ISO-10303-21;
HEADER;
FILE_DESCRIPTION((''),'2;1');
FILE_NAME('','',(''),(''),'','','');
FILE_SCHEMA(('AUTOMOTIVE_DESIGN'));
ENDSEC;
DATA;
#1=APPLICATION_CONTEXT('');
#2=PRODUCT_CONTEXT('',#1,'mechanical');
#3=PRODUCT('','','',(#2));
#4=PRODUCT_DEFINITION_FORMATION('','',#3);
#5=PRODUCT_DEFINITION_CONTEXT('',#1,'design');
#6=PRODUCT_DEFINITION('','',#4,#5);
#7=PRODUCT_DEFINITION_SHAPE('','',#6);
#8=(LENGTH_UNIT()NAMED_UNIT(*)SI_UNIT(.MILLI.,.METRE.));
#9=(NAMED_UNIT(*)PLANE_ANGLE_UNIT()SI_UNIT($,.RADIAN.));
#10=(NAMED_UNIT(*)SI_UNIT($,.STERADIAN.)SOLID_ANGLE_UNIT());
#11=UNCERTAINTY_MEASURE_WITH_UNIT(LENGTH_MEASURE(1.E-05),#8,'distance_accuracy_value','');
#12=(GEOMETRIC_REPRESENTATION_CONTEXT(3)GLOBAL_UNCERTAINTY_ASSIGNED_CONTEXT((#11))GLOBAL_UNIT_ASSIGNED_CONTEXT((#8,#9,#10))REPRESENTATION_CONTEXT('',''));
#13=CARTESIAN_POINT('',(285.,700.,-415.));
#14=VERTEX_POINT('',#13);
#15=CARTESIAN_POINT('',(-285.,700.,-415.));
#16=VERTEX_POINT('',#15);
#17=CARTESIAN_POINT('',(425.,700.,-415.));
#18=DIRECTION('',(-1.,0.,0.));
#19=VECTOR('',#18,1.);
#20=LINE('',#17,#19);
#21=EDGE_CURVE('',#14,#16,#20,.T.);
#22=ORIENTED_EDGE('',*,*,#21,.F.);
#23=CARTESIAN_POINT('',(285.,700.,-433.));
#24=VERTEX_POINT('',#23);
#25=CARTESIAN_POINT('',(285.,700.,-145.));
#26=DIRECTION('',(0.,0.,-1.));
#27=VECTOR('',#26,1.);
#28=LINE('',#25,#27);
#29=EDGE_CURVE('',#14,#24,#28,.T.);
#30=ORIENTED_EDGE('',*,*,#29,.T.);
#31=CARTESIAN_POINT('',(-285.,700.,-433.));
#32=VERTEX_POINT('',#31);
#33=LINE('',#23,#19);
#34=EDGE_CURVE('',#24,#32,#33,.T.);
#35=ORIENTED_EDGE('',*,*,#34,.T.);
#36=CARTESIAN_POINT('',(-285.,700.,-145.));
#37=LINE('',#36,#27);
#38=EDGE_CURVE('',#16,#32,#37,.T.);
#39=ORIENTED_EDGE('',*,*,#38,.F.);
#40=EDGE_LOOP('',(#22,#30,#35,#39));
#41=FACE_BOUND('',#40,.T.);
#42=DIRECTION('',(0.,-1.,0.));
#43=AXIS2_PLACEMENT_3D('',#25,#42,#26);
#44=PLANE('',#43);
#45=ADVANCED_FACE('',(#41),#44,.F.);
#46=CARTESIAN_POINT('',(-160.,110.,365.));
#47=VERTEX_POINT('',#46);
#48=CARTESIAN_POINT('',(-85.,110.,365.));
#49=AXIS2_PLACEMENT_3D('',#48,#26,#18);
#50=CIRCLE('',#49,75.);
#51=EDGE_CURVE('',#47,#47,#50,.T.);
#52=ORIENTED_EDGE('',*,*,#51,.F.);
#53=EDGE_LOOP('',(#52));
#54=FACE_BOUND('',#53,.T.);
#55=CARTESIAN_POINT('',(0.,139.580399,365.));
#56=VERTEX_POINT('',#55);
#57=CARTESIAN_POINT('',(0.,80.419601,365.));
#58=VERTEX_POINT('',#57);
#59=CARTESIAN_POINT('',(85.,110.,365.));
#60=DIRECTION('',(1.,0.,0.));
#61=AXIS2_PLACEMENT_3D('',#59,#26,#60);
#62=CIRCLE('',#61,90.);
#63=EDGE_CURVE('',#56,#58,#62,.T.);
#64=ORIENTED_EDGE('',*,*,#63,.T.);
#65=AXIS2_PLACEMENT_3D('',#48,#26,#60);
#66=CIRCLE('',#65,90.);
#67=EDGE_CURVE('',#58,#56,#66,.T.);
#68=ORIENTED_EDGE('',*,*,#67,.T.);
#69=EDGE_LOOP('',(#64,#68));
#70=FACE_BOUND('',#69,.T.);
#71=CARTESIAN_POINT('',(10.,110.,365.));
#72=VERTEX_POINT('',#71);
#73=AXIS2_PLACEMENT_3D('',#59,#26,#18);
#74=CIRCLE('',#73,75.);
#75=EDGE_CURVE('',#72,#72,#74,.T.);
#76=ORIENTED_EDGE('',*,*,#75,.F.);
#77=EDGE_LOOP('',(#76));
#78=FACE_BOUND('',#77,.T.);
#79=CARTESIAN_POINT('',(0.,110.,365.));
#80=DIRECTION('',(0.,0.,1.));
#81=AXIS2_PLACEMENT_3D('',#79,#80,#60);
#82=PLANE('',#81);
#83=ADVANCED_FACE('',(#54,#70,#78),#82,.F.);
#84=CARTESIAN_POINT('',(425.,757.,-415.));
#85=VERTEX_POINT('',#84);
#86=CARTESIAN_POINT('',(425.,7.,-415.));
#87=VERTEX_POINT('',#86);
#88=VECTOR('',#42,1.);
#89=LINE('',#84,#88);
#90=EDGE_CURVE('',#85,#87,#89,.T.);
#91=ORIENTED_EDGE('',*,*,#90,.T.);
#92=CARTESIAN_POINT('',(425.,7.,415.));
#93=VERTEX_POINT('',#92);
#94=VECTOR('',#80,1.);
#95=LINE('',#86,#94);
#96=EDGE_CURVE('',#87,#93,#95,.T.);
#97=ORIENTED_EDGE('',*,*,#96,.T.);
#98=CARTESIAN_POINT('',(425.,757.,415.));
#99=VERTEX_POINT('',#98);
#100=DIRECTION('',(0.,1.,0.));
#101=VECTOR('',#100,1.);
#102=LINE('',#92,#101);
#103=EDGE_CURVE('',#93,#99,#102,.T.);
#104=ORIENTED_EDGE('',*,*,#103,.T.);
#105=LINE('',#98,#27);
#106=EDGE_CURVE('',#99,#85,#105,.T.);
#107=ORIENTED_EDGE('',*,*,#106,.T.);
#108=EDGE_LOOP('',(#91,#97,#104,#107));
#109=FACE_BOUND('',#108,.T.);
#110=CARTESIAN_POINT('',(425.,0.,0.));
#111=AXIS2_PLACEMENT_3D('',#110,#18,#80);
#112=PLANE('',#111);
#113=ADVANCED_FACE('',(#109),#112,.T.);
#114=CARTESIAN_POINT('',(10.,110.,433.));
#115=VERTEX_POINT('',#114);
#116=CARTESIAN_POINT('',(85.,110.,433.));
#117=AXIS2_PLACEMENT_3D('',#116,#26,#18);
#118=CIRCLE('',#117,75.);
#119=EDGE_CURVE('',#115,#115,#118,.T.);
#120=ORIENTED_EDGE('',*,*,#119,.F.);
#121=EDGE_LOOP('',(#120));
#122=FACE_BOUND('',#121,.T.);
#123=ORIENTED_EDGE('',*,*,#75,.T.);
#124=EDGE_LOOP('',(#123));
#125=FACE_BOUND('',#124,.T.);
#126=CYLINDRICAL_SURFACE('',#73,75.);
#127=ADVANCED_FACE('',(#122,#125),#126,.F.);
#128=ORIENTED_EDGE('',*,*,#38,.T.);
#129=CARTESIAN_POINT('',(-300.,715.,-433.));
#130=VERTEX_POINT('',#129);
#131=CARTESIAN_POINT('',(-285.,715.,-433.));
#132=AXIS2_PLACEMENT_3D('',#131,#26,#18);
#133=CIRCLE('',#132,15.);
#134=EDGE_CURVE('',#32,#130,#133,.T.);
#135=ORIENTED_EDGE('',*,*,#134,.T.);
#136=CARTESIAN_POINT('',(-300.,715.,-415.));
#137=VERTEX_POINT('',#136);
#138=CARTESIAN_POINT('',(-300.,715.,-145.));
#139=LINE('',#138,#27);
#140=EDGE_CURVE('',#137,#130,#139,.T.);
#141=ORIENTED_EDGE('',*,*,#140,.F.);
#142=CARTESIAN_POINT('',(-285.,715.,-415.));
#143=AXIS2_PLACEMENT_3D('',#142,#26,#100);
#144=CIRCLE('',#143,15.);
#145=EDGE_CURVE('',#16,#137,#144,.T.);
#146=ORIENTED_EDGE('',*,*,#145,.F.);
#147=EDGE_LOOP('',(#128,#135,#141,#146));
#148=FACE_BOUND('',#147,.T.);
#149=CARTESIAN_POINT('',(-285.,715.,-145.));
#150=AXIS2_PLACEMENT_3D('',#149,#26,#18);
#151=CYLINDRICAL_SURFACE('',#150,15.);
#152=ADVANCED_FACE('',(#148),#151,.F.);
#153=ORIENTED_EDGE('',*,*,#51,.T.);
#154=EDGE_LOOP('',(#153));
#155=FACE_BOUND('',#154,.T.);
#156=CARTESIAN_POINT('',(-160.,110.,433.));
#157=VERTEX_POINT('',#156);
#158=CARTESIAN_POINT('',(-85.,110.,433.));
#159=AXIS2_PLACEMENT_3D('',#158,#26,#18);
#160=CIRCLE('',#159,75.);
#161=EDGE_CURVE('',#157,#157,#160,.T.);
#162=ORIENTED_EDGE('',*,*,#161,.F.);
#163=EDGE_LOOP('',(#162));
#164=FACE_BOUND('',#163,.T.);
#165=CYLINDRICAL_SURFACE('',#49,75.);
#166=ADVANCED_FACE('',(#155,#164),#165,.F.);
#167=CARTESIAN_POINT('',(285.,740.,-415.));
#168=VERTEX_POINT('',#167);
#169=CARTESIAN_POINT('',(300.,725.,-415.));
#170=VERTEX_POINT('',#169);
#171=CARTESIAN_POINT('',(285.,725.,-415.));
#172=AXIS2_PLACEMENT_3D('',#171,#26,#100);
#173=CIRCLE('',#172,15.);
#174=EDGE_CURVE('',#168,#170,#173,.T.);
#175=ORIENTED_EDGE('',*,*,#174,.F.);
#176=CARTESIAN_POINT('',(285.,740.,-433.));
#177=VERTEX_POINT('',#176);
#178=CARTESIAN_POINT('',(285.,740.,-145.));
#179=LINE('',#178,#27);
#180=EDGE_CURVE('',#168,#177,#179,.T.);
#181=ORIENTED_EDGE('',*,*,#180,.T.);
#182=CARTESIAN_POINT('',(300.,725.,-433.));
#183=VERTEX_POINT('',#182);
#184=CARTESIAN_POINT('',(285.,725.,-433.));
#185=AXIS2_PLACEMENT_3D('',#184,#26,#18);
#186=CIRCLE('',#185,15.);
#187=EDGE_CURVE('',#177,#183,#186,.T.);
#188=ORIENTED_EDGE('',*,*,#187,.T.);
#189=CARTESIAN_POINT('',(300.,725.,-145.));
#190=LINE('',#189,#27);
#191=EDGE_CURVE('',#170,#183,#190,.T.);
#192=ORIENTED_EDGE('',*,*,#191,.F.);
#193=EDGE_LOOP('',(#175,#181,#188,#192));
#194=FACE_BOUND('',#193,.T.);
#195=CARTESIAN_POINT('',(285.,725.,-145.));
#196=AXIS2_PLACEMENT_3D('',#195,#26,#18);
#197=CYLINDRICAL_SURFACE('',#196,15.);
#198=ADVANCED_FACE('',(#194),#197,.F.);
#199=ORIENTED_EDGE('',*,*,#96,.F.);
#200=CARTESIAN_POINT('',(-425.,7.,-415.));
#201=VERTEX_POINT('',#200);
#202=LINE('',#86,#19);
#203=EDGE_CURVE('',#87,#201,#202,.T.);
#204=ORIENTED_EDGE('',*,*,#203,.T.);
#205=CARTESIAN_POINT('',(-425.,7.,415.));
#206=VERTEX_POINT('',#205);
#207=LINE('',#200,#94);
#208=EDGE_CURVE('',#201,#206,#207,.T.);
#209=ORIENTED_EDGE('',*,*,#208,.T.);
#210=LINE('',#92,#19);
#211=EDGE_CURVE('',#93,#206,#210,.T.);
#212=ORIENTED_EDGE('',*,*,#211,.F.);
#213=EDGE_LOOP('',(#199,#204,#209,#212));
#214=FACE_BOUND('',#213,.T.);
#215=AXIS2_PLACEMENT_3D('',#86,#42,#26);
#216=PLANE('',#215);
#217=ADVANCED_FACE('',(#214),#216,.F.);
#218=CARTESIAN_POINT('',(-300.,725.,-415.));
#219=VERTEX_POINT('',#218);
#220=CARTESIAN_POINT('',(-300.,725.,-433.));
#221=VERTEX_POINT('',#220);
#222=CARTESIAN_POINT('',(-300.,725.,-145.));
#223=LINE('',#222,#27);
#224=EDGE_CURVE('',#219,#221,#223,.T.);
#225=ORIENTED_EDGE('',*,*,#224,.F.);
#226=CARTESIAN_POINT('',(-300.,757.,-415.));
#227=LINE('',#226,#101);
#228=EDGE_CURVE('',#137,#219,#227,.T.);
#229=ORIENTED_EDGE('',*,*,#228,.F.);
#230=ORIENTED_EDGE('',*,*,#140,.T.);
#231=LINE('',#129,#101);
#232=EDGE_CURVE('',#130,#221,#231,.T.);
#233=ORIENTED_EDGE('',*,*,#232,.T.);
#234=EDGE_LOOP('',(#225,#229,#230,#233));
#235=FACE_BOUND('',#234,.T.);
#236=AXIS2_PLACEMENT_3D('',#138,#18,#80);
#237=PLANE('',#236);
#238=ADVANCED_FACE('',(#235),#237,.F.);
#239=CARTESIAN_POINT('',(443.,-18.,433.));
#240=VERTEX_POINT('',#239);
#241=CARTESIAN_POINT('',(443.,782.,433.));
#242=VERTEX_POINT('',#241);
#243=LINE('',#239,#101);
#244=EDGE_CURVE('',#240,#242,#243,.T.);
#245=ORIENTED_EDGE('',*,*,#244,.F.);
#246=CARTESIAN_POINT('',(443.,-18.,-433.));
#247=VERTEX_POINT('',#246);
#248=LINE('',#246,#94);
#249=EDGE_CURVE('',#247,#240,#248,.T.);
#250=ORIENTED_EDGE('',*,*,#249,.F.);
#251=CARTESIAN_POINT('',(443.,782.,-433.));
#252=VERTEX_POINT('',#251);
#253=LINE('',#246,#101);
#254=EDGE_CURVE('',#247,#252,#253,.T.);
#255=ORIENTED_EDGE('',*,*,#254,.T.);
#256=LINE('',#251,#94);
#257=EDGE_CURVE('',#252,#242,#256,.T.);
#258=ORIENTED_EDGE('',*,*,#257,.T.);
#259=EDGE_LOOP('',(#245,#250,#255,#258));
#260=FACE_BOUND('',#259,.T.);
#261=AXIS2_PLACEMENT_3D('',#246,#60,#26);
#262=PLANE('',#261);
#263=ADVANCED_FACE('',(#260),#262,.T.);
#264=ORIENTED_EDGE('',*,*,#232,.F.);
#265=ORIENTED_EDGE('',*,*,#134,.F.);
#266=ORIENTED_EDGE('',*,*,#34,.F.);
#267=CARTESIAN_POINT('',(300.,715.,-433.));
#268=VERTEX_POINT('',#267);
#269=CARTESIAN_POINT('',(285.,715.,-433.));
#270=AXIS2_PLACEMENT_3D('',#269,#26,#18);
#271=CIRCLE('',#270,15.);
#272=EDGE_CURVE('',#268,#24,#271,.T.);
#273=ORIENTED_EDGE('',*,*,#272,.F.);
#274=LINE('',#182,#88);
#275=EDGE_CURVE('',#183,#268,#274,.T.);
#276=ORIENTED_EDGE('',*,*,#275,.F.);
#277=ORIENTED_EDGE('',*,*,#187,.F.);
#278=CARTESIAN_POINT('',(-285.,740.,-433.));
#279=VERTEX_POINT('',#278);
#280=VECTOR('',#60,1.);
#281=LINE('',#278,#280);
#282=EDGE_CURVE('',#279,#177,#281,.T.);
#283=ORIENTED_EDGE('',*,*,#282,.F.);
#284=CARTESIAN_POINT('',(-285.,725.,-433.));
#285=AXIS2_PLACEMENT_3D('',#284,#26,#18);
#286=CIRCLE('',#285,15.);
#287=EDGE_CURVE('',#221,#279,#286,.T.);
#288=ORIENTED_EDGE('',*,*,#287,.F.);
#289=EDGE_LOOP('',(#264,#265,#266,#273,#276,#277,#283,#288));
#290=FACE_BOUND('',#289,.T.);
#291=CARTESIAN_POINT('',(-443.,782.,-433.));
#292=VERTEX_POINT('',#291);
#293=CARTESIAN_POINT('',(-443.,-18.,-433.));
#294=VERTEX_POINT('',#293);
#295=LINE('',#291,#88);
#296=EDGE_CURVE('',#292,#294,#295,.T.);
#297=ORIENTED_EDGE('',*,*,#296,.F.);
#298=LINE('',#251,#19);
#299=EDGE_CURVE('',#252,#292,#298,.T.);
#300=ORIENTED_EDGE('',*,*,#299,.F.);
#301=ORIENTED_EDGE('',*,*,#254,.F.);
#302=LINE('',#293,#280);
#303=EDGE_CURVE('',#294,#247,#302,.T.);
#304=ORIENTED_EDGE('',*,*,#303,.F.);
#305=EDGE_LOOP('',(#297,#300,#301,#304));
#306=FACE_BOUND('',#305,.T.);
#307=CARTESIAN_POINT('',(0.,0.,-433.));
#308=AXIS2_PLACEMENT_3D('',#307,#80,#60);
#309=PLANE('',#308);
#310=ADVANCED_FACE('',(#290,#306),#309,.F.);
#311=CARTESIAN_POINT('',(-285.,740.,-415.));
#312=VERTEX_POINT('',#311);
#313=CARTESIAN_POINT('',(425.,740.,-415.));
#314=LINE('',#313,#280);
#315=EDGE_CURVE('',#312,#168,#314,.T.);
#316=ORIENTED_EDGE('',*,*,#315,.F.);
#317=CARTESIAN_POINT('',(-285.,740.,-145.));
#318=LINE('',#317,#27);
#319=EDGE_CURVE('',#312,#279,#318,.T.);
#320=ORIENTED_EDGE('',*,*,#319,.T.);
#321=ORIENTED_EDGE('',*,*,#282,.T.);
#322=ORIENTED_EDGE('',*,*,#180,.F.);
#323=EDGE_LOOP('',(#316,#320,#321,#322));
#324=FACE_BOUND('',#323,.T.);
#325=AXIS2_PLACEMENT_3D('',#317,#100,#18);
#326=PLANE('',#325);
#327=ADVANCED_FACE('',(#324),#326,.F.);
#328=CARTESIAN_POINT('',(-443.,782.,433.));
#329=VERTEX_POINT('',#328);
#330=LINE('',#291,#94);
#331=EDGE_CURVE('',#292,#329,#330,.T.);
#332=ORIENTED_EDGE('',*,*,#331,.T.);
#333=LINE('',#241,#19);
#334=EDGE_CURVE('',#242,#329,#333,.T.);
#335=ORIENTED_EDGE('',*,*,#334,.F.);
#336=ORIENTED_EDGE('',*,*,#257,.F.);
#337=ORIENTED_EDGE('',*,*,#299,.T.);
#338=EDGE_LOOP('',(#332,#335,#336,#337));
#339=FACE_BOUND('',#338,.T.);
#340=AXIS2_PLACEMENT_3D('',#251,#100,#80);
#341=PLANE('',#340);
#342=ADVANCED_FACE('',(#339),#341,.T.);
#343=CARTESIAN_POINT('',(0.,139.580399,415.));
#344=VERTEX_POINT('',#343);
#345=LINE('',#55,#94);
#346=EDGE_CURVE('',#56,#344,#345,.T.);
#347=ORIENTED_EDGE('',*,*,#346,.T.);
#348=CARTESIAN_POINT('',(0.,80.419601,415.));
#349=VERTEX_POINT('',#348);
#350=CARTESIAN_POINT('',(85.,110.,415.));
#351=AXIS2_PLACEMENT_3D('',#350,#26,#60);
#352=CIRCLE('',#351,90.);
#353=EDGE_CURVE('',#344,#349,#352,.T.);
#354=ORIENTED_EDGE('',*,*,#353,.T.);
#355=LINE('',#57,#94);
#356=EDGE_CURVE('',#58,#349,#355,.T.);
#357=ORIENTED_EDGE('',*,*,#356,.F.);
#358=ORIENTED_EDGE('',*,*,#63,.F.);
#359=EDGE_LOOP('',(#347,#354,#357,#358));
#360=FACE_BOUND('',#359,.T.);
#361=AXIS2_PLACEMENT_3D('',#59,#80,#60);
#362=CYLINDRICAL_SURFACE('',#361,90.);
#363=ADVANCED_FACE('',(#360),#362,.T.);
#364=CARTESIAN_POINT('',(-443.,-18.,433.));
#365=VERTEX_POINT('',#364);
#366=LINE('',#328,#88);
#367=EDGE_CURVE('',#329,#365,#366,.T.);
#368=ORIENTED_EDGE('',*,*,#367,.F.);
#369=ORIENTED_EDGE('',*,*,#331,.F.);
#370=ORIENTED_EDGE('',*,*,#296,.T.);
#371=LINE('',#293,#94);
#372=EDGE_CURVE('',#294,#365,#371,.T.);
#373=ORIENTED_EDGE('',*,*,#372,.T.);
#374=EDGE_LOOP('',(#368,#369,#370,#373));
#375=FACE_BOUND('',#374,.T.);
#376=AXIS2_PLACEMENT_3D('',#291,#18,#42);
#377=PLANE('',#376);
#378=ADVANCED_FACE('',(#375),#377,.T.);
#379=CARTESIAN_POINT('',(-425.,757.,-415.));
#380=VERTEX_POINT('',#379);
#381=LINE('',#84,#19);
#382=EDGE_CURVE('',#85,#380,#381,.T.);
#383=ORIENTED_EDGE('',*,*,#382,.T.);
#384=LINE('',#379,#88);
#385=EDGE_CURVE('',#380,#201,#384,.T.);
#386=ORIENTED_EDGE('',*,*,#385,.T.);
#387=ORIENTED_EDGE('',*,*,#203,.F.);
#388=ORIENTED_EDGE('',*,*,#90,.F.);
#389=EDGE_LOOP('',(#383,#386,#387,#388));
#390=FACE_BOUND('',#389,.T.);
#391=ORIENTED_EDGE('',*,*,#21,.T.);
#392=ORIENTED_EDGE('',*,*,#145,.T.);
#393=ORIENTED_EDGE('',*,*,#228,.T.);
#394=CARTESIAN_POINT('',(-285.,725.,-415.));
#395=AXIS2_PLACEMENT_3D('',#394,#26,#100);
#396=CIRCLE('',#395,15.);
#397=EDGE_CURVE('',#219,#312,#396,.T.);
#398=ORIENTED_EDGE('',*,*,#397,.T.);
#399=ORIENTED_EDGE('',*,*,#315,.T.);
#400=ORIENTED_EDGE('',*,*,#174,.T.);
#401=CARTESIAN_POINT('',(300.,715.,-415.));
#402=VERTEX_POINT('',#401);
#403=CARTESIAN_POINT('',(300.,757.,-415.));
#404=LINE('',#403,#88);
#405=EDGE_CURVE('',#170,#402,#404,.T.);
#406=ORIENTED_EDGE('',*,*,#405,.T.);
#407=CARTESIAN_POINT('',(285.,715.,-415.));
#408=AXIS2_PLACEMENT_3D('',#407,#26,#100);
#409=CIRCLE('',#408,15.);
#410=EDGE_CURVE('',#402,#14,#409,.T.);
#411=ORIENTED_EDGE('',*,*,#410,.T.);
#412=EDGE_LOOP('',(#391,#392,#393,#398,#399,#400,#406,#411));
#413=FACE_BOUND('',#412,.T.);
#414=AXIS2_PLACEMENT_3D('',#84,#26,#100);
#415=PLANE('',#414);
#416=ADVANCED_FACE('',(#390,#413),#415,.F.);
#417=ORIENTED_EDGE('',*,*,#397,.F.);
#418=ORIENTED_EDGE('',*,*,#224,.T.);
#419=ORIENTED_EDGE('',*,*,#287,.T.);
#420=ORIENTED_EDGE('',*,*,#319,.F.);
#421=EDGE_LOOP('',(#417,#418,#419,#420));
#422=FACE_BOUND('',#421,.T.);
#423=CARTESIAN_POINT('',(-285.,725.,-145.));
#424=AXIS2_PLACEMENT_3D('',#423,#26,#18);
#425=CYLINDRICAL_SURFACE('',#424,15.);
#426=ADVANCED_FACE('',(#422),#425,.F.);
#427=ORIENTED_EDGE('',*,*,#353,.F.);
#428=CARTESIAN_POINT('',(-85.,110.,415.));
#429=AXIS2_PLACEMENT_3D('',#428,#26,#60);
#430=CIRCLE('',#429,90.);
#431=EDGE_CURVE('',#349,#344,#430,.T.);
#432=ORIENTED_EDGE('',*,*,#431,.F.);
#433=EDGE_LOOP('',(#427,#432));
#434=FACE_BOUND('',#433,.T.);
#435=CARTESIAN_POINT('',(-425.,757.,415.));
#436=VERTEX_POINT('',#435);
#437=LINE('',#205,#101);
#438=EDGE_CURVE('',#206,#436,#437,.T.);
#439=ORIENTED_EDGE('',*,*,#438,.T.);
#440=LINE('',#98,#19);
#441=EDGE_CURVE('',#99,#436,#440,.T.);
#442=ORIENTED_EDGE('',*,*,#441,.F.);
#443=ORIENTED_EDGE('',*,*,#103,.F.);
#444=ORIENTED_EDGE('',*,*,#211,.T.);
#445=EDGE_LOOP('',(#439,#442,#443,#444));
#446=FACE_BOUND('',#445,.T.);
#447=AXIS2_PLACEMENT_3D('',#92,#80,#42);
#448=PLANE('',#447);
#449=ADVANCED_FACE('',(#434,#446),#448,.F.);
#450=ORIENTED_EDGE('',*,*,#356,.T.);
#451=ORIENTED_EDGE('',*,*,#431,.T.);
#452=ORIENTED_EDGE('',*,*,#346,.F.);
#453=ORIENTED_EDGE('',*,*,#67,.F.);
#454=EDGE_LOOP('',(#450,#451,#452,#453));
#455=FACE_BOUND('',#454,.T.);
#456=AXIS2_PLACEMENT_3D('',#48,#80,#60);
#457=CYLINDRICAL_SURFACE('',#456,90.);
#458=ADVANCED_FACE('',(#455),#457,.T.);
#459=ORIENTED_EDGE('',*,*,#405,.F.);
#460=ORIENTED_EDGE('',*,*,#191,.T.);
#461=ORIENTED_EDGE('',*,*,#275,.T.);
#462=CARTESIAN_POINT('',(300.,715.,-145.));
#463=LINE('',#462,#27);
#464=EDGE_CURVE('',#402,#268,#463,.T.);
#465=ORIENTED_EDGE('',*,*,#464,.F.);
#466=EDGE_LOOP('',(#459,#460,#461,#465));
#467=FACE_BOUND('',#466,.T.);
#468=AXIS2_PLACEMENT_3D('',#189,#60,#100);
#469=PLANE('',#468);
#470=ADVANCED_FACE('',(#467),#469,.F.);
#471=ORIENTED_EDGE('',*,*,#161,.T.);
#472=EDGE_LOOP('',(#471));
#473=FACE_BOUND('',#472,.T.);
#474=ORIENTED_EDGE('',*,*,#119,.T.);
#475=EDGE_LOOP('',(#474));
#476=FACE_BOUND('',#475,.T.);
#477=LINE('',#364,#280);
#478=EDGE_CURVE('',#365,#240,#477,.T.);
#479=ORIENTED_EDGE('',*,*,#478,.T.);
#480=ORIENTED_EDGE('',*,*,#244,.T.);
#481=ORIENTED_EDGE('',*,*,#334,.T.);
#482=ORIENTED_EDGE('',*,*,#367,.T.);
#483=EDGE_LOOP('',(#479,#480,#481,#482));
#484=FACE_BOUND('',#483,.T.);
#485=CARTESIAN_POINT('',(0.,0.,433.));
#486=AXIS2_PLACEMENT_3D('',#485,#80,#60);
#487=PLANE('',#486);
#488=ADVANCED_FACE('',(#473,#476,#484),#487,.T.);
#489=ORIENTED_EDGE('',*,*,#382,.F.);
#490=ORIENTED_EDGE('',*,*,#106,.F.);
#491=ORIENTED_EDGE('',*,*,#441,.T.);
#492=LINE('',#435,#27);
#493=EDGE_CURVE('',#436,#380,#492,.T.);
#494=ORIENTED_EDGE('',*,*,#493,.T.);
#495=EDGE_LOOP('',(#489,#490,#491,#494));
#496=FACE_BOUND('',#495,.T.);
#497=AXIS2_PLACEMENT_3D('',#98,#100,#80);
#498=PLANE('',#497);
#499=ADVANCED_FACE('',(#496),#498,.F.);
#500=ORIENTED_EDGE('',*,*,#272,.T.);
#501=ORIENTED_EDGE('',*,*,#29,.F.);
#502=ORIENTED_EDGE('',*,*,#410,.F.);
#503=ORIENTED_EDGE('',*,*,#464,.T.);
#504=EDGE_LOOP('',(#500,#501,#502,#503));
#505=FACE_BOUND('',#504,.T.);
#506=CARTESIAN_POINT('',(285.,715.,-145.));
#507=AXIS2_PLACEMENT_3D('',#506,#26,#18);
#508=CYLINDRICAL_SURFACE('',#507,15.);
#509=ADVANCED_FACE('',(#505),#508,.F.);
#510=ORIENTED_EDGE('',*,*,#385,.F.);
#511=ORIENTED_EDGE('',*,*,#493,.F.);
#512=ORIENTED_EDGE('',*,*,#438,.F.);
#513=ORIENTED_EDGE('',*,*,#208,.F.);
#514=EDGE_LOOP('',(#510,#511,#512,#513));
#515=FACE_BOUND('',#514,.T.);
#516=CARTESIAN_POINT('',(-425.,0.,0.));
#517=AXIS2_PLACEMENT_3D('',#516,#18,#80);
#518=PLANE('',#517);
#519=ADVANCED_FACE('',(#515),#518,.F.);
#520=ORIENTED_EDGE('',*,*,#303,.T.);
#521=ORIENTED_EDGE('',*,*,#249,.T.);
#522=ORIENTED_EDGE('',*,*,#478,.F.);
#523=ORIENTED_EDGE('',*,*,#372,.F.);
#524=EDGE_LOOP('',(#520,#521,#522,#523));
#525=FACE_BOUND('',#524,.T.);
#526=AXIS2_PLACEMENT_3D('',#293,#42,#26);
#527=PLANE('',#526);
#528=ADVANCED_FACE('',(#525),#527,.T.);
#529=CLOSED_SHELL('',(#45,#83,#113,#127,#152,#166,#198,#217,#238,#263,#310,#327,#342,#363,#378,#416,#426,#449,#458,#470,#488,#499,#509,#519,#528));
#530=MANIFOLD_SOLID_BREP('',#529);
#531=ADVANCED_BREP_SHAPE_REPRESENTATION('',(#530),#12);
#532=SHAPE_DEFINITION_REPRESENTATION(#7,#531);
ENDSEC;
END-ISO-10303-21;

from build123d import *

# Parameters (mm, degrees)
SKETCH1_W           = 886
SKETCH1_H           = 800
BOSS_EXTRUDE1_DEPTH = 866
SKETCH2_W           = 750
SKETCH2_H           = 830
CUT_EXTRUDE1_DEPTH  = 850
CUT_EXTRUDE2_DEPTH  = 288
BOSS_EXTRUDE2_DEPTH = 50
HOLE1_D             = 150
HOLE1_DEPTH         = 68


with BuildPart() as part:
    # Sketch1 → Boss-Extrude1 (new body)
    with BuildSketch(Plane.XY.offset(433)):
        with Locations((0, 382)):
            Rectangle(SKETCH1_W, SKETCH1_H)
    extrude(amount=-BOSS_EXTRUDE1_DEPTH)

    # Sketch2 → Cut-Extrude1 (cut)
    with BuildSketch(Plane(origin=(-425, 0, 0), x_dir=(0, -1, 0), z_dir=(-1, 0, 0))):
        with Locations((-382, 0)):
            Rectangle(SKETCH2_W, SKETCH2_H)
    extrude(amount=-CUT_EXTRUDE1_DEPTH, mode=Mode.SUBTRACT)

    # Sketch3 → Cut-Extrude2 (cut)
    with BuildSketch(Plane(origin=(0, 0, -433), x_dir=(-1, 0, 0), z_dir=(0, 0, -1))):
        with BuildLine():
            Line((-300, 725), (-300, 715))
            ThreePointArc((-300, 715), (-295.606601718, 704.393398282), (-285, 700))
            Line((-285, 700), (285, 700))
            ThreePointArc((285, 700), (295.606601718, 704.393398282), (300, 715))
            Line((300, 715), (300, 725))
            ThreePointArc((300, 725), (295.606601718, 735.606601718), (285, 740))
            Line((285, 740), (-285, 740))
            ThreePointArc((-285, 740), (-295.606601718, 735.606601718), (-300, 725))
        make_face()
    extrude(amount=-CUT_EXTRUDE2_DEPTH, mode=Mode.SUBTRACT)

    # Sketch4 → Boss-Extrude2 (add)
    with BuildSketch(Plane(origin=(0, 0, 415), x_dir=(-1, 0, 0), z_dir=(0, 0, -1))):
        with BuildLine():
            ThreePointArc((0, 80.419601085), (-175, 110), (0, 139.580398915))
            ThreePointArc((0, 139.580398915), (175, 110), (0, 80.419601085))
        make_face()
    extrude(amount=BOSS_EXTRUDE2_DEPTH)

    # Hole1
    with Locations(Plane(origin=(0, 0, 365), x_dir=(-1, 0, 0), z_dir=(0, 0, -1))):
        with Locations((-85, 110), (85, 110)):
            Hole(HOLE1_D / 2, depth=HOLE1_DEPTH)


solid = part.part
